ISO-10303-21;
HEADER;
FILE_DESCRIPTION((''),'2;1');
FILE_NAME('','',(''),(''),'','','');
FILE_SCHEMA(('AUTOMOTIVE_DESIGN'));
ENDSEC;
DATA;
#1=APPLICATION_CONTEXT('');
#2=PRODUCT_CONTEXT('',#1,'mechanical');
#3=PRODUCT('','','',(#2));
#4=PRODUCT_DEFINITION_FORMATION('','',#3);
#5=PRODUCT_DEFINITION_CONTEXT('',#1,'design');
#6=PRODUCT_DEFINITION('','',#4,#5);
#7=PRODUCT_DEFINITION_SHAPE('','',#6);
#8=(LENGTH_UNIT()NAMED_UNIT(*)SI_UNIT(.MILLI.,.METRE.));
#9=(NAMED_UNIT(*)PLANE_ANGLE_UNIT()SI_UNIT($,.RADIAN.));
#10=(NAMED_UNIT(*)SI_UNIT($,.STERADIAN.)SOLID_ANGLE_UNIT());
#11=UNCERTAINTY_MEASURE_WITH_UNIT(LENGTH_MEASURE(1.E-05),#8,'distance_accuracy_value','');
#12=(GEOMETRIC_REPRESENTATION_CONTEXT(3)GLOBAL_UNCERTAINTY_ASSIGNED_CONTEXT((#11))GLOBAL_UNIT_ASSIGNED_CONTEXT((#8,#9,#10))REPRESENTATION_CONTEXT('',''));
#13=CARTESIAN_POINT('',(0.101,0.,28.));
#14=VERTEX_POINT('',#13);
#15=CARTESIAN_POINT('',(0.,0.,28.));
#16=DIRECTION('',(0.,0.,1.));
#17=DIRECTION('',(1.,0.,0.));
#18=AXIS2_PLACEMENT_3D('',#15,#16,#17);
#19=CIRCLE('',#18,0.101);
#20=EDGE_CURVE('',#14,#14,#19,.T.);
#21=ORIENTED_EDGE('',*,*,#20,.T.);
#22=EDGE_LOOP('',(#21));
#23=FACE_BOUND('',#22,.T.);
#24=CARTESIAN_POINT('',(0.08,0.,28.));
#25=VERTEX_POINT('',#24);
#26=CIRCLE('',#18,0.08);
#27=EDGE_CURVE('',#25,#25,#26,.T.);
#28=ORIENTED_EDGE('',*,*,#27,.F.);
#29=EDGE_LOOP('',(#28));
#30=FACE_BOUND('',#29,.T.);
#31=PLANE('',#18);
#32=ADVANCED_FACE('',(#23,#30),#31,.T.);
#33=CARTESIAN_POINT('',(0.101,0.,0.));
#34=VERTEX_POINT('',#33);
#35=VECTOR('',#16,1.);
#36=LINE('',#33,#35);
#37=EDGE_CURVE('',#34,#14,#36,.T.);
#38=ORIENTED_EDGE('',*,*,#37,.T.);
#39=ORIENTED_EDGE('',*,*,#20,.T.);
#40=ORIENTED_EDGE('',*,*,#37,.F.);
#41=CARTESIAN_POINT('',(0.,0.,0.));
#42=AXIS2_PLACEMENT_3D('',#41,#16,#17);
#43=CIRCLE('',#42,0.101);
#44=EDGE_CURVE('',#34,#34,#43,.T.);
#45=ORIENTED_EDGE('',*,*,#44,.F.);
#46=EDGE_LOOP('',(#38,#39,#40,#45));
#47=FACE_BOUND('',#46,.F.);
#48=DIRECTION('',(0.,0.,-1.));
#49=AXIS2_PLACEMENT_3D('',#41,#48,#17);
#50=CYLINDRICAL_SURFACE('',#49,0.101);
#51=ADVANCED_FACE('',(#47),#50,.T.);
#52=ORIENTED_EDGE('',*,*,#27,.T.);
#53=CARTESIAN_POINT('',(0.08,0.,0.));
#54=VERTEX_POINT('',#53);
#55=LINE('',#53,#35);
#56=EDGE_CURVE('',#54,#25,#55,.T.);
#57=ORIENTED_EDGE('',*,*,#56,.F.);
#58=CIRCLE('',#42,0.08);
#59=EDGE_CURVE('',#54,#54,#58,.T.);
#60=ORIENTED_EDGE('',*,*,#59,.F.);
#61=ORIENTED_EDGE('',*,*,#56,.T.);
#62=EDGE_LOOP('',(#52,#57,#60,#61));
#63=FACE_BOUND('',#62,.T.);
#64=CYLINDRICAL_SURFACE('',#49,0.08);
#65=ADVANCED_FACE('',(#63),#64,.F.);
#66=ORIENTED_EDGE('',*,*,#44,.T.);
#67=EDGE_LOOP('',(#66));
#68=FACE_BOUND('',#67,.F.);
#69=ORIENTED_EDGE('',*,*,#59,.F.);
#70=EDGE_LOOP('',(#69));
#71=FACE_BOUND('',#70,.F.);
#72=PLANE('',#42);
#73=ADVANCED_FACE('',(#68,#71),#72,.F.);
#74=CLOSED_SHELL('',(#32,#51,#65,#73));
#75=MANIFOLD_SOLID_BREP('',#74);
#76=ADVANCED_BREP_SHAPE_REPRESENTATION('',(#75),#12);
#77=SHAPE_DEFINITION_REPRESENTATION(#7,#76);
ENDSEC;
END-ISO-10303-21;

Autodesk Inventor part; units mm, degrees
ref_plane "YZ Plane" through (0, 0, 0) normal (1, 0, 0) x (0, 1, 0)
ref_plane "XZ Plane" through (0, 0, 0) normal (0, 1, 0) x (-1, 0, 0)
ref_plane "XY Plane" through (0, 0, 0) normal (0, 0, 1) x (1, 0, 0)
sketch "Sketch1" plane through (0, 0, 0) normal (0, 0, 1) x (1, 0, 0)
  circle A0 centre (0, 0) radius 0.101
  circle A1 centre (0, 0) radius 0.08
  dimension "d0" = 0.202
  dimension "d1" = 0.16
extrude "Extrusion1" add sketch "Sketch1" along normal blind 28
properties part number "Polyimide"
